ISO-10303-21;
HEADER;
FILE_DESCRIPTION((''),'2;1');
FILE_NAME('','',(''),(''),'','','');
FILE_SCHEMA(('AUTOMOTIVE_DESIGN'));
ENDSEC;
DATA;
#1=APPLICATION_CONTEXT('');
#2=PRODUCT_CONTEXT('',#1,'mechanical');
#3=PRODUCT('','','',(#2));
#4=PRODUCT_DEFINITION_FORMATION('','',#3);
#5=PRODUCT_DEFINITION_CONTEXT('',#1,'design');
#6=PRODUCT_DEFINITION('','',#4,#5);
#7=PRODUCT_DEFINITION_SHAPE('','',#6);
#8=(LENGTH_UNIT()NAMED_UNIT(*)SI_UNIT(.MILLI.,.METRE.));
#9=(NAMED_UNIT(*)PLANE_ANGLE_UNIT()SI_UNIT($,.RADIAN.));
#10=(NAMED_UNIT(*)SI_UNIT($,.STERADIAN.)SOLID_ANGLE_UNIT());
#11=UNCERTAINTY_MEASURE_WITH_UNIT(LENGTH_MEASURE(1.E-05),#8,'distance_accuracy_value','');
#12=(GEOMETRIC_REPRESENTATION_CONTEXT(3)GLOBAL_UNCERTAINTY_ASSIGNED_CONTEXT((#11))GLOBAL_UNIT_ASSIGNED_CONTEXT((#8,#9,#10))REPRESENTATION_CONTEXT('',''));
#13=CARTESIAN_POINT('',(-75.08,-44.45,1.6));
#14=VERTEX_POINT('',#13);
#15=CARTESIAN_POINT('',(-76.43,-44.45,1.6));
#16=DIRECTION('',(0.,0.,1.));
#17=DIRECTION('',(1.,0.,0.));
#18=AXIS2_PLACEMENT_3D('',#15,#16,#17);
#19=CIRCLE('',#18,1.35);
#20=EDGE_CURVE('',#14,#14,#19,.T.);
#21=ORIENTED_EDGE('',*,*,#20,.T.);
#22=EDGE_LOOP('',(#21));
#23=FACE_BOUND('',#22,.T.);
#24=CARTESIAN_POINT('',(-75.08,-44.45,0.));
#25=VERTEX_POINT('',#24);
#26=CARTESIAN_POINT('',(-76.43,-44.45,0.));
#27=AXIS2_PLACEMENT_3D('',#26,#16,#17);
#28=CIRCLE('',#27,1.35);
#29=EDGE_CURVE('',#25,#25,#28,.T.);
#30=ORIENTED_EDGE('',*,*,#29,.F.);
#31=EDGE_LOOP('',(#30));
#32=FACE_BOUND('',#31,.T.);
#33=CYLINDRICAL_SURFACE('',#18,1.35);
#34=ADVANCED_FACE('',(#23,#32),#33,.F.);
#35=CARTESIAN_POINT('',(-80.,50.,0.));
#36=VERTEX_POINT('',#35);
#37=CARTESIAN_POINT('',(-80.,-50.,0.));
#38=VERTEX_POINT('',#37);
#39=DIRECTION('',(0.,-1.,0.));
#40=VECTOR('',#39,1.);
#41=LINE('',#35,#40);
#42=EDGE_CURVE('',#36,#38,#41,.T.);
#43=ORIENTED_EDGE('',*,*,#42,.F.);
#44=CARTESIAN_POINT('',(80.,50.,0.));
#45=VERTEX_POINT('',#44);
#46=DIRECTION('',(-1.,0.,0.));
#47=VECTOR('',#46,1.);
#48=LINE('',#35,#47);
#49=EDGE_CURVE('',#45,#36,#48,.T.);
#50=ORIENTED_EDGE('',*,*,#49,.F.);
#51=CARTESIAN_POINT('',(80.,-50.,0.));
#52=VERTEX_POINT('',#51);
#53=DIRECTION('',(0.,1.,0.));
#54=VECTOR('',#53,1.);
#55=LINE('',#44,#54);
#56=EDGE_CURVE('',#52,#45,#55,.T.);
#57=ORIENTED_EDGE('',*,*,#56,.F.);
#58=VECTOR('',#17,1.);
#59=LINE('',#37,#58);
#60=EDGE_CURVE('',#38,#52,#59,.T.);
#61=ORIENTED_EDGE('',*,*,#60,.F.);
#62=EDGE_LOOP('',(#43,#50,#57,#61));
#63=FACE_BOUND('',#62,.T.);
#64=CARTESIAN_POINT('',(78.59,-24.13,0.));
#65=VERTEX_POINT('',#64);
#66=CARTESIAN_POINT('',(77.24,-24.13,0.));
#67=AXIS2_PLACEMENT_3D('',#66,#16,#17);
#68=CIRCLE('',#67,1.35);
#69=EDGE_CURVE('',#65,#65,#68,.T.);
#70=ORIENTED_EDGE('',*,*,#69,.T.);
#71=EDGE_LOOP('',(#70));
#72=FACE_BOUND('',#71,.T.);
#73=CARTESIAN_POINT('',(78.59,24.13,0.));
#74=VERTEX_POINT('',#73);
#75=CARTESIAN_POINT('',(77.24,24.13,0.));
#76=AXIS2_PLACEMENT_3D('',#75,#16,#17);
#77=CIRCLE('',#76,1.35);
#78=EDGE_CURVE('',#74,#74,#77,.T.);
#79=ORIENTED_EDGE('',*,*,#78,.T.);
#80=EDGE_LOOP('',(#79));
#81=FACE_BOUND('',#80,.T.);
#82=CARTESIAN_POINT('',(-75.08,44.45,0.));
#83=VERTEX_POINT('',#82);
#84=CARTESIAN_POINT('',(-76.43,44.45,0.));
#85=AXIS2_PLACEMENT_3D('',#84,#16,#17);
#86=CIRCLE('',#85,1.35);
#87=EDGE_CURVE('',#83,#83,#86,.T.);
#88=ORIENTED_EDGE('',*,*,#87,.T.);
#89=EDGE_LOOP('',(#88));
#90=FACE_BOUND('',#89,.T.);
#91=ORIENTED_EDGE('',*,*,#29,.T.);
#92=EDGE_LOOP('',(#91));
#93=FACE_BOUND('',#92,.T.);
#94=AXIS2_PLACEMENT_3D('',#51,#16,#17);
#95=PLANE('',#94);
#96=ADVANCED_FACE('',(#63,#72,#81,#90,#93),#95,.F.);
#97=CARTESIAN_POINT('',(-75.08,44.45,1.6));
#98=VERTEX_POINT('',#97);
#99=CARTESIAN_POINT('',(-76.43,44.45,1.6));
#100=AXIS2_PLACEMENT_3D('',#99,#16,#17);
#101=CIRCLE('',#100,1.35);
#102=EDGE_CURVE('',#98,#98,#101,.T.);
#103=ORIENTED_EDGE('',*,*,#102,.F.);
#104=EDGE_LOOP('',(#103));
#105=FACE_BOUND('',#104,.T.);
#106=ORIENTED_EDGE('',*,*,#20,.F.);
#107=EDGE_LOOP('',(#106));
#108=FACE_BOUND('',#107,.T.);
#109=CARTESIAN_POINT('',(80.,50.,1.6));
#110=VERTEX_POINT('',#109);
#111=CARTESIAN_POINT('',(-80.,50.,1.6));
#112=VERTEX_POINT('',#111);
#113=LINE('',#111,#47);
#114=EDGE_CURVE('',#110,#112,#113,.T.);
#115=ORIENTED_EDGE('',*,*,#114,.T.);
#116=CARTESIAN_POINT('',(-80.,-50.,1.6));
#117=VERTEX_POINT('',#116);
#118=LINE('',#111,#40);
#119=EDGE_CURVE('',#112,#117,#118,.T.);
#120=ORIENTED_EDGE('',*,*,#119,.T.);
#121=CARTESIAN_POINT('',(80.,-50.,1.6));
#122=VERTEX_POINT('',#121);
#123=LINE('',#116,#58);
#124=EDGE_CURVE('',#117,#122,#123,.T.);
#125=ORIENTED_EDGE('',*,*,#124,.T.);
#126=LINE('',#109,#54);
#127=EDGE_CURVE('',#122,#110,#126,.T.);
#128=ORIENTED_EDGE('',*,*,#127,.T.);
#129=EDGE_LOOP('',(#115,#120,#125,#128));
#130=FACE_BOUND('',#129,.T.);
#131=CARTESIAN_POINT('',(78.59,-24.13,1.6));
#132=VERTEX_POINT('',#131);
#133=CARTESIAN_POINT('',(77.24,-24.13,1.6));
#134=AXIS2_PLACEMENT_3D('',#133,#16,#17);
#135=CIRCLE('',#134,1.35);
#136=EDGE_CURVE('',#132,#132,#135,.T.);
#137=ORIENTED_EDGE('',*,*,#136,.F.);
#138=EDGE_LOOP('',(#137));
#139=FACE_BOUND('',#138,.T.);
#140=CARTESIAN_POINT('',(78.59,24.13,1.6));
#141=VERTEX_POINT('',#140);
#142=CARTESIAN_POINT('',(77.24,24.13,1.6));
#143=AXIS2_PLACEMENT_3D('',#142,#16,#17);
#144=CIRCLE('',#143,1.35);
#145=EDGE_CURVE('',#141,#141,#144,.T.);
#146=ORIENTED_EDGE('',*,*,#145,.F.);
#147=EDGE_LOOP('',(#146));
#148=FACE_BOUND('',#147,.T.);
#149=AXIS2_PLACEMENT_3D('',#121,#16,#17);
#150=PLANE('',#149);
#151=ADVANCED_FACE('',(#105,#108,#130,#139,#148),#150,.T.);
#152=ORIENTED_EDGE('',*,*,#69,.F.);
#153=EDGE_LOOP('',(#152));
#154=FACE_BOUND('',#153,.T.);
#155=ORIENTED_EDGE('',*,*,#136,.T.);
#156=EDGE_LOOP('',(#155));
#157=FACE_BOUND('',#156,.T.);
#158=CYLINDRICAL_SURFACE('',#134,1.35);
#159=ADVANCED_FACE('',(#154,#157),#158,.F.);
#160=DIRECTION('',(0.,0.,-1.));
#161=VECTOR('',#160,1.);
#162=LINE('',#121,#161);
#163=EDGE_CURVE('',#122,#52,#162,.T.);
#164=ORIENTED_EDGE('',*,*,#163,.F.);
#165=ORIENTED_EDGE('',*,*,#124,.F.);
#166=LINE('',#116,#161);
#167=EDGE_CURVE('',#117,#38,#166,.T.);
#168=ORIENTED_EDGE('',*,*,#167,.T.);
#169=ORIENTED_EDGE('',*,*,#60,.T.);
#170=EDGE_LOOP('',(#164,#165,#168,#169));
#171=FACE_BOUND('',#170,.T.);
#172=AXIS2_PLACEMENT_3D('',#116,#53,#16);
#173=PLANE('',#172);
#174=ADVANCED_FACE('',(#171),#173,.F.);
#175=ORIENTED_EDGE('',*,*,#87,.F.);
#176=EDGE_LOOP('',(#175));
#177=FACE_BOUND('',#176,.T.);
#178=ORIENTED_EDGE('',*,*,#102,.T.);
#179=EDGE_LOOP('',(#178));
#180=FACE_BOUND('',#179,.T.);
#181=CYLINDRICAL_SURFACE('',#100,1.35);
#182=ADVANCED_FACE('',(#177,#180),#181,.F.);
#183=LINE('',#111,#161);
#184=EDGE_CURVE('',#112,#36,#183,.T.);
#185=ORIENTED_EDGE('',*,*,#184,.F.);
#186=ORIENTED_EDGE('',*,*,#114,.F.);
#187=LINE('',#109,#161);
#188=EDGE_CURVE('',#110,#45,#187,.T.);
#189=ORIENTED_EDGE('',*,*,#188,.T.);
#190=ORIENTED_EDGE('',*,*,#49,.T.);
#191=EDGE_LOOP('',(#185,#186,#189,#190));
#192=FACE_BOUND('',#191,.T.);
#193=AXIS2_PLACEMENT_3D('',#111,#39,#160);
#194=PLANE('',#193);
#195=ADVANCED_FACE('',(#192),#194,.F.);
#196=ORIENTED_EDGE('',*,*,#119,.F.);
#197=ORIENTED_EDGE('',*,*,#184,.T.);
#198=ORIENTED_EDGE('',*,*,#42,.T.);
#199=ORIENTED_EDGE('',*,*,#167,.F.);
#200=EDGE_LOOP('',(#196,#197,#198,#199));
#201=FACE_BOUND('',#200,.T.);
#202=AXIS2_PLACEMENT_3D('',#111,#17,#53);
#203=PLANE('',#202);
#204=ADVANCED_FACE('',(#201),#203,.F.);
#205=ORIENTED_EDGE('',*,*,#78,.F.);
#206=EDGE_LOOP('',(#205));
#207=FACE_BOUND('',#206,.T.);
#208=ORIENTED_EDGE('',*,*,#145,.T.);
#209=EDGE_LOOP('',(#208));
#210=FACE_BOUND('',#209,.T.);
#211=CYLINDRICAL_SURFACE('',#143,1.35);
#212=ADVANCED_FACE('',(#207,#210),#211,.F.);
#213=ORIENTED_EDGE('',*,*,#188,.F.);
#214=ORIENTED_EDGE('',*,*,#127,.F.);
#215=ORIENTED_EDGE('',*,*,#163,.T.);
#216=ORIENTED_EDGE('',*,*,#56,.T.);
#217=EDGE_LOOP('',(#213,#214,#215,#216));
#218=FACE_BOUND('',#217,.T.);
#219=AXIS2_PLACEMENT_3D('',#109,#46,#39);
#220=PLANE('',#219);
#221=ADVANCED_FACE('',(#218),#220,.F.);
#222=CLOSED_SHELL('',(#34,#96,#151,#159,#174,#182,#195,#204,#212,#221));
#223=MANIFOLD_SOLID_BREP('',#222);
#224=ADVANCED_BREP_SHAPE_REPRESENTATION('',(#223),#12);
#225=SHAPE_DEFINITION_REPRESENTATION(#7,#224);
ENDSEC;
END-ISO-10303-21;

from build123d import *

# Parameters (mm, degrees)
ESQUISSE1_W                     = 160
ESQUISSE1_H                     = 100
BOSS_EXTRU_1_DEPTH              = 1.6
DIAM_TRE_DU_PER_AGE_2_7_2_7_1_D = 2.7
DIAM_TRE_DU_PER_AGE_2_7_2_7_2_D = 2.7


with BuildPart() as part:
    # Esquisse1 → Boss.-Extru.1 (new body)
    with BuildSketch(Plane.XY):
        Rectangle(ESQUISSE1_W, ESQUISSE1_H)
    extrude(amount=BOSS_EXTRU_1_DEPTH)

    # Diamètre du perçage Ø2.7 (2.7)1 (through all)
    with Locations(Plane.XY.offset(1.6)):
        with Locations((-76.43, 44.45), (-76.43, -44.45)):
            Hole(DIAM_TRE_DU_PER_AGE_2_7_2_7_1_D / 2)

    # Diamètre du perçage Ø2.7 (2.7)2 (through all)
    with Locations(Plane.XY.offset(1.6)):
        with Locations((77.24, 24.13), (77.24, -24.13)):
            Hole(DIAM_TRE_DU_PER_AGE_2_7_2_7_2_D / 2)


solid = part.part
